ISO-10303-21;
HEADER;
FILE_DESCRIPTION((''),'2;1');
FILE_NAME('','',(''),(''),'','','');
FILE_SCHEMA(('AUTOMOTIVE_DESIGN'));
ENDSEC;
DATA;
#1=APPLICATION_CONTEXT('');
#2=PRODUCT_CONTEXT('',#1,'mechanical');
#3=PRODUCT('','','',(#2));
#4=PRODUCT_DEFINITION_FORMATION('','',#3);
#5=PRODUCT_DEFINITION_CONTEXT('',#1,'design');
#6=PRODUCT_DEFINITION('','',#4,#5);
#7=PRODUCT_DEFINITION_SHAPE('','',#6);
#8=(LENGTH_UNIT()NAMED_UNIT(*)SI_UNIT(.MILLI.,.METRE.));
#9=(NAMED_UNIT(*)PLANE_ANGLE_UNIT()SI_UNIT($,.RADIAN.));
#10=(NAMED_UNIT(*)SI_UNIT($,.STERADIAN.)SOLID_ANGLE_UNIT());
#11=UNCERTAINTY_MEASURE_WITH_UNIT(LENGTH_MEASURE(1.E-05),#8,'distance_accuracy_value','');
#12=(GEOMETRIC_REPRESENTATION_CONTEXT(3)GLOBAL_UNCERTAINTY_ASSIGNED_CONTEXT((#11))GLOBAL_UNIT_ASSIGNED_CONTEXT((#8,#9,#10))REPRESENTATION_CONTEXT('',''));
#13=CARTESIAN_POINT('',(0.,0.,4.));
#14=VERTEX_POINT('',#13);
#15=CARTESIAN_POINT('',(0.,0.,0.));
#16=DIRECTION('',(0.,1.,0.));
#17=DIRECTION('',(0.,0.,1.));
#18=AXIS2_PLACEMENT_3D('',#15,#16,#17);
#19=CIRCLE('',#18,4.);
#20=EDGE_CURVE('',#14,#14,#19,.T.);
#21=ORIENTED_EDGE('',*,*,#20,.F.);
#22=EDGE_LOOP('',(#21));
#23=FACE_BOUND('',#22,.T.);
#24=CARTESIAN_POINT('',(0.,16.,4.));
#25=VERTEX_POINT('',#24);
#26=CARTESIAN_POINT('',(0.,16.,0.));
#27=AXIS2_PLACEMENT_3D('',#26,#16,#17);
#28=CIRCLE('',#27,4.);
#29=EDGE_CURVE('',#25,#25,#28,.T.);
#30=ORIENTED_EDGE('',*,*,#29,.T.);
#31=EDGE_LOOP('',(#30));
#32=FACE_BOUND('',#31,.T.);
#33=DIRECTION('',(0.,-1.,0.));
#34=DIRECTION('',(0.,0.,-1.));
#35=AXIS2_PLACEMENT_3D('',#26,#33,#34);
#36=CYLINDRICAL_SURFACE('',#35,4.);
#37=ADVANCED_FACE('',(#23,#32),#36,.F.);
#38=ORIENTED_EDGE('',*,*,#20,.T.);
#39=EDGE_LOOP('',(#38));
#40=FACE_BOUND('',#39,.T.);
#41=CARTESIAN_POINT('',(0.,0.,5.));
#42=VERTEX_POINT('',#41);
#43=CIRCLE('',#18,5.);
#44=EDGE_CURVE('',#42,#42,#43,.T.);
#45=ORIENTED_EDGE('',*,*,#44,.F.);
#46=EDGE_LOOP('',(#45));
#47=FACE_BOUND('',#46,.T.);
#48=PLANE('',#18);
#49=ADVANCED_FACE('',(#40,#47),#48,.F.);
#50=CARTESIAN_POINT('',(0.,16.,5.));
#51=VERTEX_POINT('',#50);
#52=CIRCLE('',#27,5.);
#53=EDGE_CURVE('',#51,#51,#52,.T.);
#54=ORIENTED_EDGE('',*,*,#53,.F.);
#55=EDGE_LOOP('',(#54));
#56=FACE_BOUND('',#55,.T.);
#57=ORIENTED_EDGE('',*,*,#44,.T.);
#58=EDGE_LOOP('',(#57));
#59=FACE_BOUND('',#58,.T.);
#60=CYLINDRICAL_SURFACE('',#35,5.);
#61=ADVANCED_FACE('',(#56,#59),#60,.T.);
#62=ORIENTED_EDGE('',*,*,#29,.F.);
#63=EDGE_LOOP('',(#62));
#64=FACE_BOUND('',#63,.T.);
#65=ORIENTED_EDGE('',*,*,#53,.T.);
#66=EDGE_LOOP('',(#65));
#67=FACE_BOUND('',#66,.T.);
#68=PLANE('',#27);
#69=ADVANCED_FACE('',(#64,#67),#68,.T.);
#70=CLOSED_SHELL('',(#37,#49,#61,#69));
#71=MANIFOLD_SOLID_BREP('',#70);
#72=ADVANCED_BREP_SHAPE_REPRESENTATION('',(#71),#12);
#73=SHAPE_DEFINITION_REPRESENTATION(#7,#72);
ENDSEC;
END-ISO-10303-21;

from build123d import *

# Parameters (mm, degrees)
SKETCH_1_R      = 5
SKETCH_1_R_2    = 4
EXTRUDE_1_DEPTH = 16


with BuildPart() as part:
    # Эскиз1 → Бобышка-Вытянуть1 (new body)
    with BuildSketch(Plane(origin=(0, 0, 0), x_dir=(1, 0, 0), z_dir=(0, 1, 0))):
        with Locations(Location((0, 0, 0), (0, 0, 270))):
            Circle(SKETCH_1_R)
        with Locations(Location((0, 0, 0), (0, 0, 270))):
            Circle(SKETCH_1_R_2, mode=Mode.SUBTRACT)
    extrude(amount=EXTRUDE_1_DEPTH)


solid = part.part
